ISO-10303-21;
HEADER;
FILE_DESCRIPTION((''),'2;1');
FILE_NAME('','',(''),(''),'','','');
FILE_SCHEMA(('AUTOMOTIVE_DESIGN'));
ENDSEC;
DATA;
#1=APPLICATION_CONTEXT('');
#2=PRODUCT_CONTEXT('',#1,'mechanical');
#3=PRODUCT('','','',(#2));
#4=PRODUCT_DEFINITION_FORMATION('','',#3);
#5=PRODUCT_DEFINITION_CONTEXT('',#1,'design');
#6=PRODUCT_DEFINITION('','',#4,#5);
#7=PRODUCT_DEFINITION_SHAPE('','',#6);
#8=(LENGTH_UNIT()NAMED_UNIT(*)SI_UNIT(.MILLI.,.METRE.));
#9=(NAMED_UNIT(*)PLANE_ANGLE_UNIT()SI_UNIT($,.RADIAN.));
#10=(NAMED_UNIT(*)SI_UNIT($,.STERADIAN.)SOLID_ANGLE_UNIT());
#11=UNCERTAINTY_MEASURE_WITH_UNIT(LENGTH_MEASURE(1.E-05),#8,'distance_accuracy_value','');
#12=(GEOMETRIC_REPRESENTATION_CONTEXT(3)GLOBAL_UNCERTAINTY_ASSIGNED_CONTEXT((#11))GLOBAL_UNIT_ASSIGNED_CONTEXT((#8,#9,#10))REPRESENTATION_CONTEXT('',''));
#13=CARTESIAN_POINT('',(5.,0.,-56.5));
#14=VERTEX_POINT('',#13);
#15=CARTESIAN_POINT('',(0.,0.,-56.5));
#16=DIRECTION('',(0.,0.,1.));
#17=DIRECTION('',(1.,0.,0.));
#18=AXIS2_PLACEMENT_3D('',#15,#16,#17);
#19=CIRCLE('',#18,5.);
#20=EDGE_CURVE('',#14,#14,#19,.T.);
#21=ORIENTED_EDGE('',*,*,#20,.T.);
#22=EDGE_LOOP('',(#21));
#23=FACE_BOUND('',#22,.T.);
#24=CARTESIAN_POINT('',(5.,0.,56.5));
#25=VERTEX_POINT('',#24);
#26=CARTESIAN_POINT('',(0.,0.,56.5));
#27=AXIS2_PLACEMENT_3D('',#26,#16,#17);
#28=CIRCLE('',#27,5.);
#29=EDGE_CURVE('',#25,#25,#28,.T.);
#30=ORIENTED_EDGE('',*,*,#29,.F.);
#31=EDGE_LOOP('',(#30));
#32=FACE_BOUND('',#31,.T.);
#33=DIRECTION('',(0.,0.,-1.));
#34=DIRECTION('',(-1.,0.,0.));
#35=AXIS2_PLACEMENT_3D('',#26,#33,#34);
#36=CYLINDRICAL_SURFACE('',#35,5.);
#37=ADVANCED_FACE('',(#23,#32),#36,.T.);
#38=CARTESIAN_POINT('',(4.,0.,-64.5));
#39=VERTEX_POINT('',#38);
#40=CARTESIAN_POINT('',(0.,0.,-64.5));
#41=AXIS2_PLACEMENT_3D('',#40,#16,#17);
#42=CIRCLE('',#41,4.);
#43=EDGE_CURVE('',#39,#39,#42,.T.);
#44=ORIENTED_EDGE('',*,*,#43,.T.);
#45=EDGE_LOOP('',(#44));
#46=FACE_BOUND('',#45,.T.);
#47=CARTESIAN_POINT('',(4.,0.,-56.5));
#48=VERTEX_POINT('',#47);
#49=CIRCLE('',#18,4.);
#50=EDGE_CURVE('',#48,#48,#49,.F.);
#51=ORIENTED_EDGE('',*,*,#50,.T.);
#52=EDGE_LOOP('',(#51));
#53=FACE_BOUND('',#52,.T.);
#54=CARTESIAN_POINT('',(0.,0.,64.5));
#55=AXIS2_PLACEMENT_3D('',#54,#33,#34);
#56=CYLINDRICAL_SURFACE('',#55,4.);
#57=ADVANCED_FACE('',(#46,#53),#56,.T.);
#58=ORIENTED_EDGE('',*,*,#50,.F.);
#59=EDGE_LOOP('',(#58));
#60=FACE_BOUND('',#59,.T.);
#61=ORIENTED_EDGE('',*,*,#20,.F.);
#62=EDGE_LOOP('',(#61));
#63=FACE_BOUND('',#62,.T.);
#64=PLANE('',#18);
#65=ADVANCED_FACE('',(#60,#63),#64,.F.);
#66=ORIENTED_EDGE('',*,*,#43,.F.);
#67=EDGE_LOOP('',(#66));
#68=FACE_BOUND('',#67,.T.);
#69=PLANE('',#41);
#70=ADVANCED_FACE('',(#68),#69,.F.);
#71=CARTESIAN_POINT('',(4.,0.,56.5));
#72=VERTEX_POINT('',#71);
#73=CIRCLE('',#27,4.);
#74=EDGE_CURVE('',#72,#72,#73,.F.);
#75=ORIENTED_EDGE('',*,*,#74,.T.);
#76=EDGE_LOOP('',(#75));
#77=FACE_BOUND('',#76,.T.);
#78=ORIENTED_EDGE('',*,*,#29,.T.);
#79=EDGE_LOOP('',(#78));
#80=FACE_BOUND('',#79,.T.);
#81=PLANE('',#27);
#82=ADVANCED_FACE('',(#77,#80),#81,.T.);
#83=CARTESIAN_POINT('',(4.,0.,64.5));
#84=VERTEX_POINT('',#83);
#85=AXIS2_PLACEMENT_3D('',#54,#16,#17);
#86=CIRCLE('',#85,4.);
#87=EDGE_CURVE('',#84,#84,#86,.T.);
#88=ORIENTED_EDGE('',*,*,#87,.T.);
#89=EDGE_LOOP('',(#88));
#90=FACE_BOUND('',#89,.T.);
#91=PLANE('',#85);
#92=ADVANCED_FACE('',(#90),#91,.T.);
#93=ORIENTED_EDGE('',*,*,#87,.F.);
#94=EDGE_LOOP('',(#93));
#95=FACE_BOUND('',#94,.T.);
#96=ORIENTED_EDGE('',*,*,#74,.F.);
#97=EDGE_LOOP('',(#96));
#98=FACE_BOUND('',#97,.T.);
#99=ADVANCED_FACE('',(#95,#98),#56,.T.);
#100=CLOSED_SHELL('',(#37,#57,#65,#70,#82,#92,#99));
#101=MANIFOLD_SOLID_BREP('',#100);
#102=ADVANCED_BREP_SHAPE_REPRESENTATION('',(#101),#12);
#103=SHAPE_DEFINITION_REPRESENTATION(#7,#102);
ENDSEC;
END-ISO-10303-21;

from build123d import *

# Parameters (mm, degrees)
SKETCH1_R           = 5
BOSS_EXTRUDE1_DEPTH = 56.5
SKETCH1_3_R         = 4
BOSS_EXTRUDE2_DEPTH = 64.5


with BuildPart() as part:
    # Sketch1 → Boss-Extrude1 (new, symmetric)
    with BuildSketch(Plane.XY):
        Circle(SKETCH1_R)
    extrude(amount=BOSS_EXTRUDE1_DEPTH, both=True)

    # Sketch1<3> → Boss-Extrude2 (add, symmetric)
    with BuildSketch(Plane.XY):
        Circle(SKETCH1_3_R)
    extrude(amount=BOSS_EXTRUDE2_DEPTH, both=True)


solid = part.part
